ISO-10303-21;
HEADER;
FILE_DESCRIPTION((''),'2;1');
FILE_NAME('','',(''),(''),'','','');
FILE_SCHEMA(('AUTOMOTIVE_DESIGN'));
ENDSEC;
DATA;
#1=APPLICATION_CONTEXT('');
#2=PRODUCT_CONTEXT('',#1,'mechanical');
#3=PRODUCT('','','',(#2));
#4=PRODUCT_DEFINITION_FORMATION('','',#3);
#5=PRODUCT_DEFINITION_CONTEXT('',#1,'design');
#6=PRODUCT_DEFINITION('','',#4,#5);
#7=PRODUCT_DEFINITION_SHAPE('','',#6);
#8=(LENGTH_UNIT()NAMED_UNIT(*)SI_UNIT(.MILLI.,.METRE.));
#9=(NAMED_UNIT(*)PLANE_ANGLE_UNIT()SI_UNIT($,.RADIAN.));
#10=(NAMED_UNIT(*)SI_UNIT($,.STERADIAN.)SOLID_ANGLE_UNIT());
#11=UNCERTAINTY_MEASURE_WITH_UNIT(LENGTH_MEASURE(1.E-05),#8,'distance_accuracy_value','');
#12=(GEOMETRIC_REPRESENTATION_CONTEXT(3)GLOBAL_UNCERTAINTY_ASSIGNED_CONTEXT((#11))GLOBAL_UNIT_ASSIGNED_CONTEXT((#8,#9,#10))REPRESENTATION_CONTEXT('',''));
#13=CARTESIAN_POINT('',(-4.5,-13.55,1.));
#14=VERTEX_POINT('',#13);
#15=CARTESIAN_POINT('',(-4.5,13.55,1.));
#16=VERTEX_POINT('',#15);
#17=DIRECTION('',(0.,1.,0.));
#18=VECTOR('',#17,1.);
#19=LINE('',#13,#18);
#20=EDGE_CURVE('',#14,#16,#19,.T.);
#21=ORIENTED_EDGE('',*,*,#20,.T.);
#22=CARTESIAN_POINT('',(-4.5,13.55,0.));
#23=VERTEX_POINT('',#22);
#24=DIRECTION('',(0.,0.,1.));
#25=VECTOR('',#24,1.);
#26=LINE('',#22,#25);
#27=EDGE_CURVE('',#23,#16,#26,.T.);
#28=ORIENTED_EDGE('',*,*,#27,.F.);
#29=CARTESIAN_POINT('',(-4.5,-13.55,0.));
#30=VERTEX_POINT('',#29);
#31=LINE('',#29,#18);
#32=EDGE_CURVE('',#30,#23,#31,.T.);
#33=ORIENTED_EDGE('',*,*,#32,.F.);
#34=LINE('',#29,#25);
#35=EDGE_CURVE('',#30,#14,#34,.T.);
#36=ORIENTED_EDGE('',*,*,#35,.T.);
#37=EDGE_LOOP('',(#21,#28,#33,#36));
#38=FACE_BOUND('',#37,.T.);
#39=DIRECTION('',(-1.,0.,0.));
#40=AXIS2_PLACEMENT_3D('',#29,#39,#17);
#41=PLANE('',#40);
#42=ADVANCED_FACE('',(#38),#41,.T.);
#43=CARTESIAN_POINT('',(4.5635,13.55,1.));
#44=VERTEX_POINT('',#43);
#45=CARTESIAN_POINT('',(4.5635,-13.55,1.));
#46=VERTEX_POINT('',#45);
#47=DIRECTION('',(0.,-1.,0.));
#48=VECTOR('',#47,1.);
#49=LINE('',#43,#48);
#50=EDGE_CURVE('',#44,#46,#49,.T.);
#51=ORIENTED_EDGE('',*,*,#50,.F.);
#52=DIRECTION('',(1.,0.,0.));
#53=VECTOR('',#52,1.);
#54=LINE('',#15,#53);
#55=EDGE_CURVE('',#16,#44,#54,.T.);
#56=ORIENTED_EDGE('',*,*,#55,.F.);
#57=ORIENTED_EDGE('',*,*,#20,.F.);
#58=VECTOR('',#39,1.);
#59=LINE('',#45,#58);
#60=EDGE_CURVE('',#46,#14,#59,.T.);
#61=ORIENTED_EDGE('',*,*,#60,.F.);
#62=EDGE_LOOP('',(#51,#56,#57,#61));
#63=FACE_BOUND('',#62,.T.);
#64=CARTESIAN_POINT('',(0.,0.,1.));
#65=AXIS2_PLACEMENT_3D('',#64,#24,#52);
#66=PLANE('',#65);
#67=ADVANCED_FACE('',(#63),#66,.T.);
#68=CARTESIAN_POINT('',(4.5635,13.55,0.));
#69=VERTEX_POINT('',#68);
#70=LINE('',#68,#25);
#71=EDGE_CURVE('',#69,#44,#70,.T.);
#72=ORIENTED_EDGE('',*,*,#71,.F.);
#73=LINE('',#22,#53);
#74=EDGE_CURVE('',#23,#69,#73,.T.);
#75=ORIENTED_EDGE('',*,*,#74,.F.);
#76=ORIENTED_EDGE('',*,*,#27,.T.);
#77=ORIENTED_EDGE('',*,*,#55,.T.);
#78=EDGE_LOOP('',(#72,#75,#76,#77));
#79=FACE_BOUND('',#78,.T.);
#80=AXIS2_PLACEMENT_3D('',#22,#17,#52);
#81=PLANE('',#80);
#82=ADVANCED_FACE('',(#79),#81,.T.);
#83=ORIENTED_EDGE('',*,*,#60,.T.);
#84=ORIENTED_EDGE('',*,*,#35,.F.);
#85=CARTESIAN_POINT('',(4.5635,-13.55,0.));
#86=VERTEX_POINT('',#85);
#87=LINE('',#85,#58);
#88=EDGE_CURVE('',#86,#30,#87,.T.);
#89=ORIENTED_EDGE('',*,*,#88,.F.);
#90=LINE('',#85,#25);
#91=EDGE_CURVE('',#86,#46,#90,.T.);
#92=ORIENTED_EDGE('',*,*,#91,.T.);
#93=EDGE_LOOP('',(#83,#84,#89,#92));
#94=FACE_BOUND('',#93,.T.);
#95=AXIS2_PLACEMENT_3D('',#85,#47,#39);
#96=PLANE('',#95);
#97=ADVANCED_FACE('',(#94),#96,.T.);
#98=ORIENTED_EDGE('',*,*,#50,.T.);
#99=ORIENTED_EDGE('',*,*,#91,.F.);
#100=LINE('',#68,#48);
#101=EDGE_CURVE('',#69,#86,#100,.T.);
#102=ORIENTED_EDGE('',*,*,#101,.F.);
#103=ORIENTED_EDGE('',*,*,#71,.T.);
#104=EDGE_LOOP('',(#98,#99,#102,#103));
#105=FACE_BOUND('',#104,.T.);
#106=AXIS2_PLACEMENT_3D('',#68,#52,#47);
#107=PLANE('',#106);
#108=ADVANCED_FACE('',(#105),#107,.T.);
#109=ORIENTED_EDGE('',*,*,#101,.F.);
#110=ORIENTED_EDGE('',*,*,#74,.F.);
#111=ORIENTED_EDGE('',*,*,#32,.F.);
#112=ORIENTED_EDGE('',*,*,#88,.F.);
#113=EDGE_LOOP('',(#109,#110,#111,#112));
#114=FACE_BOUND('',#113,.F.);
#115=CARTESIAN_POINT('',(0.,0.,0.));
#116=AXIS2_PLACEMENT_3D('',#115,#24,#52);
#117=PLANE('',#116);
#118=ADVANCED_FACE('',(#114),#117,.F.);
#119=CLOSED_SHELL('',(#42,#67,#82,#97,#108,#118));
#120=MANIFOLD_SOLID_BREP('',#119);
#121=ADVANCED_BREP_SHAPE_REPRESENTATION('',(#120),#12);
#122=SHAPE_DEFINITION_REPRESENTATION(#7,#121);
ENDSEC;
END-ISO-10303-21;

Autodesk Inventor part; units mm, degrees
ref_plane "YZ Plane" through (0, 0, 0) normal (1, 0, 0) x (0, 1, 0)
ref_plane "XZ Plane" through (0, 0, 0) normal (0, 1, 0) x (-1, 0, 0)
ref_plane "XY Plane" through (0, 0, 0) normal (0, 0, 1) x (1, 0, 0)
sketch "SICHERUNG, SICHERUNG_59" plane through (0, 0, 0) normal (0, 0, 1) x (1, 0, 0)
  line L0 (-4.5, 13.55) -> (4.5635, 13.55)
  line L1 (4.5635, 13.55) -> (4.5635, -13.55)
  line L2 (4.5635, -13.55) -> (-4.5, -13.55)
  line L3 (-4.5, -13.55) -> (-4.5, 13.55)
extrude "Extrusion1" add sketch "SICHERUNG, SICHERUNG_59" along normal blind 1
properties part number "SICHERUNG"
